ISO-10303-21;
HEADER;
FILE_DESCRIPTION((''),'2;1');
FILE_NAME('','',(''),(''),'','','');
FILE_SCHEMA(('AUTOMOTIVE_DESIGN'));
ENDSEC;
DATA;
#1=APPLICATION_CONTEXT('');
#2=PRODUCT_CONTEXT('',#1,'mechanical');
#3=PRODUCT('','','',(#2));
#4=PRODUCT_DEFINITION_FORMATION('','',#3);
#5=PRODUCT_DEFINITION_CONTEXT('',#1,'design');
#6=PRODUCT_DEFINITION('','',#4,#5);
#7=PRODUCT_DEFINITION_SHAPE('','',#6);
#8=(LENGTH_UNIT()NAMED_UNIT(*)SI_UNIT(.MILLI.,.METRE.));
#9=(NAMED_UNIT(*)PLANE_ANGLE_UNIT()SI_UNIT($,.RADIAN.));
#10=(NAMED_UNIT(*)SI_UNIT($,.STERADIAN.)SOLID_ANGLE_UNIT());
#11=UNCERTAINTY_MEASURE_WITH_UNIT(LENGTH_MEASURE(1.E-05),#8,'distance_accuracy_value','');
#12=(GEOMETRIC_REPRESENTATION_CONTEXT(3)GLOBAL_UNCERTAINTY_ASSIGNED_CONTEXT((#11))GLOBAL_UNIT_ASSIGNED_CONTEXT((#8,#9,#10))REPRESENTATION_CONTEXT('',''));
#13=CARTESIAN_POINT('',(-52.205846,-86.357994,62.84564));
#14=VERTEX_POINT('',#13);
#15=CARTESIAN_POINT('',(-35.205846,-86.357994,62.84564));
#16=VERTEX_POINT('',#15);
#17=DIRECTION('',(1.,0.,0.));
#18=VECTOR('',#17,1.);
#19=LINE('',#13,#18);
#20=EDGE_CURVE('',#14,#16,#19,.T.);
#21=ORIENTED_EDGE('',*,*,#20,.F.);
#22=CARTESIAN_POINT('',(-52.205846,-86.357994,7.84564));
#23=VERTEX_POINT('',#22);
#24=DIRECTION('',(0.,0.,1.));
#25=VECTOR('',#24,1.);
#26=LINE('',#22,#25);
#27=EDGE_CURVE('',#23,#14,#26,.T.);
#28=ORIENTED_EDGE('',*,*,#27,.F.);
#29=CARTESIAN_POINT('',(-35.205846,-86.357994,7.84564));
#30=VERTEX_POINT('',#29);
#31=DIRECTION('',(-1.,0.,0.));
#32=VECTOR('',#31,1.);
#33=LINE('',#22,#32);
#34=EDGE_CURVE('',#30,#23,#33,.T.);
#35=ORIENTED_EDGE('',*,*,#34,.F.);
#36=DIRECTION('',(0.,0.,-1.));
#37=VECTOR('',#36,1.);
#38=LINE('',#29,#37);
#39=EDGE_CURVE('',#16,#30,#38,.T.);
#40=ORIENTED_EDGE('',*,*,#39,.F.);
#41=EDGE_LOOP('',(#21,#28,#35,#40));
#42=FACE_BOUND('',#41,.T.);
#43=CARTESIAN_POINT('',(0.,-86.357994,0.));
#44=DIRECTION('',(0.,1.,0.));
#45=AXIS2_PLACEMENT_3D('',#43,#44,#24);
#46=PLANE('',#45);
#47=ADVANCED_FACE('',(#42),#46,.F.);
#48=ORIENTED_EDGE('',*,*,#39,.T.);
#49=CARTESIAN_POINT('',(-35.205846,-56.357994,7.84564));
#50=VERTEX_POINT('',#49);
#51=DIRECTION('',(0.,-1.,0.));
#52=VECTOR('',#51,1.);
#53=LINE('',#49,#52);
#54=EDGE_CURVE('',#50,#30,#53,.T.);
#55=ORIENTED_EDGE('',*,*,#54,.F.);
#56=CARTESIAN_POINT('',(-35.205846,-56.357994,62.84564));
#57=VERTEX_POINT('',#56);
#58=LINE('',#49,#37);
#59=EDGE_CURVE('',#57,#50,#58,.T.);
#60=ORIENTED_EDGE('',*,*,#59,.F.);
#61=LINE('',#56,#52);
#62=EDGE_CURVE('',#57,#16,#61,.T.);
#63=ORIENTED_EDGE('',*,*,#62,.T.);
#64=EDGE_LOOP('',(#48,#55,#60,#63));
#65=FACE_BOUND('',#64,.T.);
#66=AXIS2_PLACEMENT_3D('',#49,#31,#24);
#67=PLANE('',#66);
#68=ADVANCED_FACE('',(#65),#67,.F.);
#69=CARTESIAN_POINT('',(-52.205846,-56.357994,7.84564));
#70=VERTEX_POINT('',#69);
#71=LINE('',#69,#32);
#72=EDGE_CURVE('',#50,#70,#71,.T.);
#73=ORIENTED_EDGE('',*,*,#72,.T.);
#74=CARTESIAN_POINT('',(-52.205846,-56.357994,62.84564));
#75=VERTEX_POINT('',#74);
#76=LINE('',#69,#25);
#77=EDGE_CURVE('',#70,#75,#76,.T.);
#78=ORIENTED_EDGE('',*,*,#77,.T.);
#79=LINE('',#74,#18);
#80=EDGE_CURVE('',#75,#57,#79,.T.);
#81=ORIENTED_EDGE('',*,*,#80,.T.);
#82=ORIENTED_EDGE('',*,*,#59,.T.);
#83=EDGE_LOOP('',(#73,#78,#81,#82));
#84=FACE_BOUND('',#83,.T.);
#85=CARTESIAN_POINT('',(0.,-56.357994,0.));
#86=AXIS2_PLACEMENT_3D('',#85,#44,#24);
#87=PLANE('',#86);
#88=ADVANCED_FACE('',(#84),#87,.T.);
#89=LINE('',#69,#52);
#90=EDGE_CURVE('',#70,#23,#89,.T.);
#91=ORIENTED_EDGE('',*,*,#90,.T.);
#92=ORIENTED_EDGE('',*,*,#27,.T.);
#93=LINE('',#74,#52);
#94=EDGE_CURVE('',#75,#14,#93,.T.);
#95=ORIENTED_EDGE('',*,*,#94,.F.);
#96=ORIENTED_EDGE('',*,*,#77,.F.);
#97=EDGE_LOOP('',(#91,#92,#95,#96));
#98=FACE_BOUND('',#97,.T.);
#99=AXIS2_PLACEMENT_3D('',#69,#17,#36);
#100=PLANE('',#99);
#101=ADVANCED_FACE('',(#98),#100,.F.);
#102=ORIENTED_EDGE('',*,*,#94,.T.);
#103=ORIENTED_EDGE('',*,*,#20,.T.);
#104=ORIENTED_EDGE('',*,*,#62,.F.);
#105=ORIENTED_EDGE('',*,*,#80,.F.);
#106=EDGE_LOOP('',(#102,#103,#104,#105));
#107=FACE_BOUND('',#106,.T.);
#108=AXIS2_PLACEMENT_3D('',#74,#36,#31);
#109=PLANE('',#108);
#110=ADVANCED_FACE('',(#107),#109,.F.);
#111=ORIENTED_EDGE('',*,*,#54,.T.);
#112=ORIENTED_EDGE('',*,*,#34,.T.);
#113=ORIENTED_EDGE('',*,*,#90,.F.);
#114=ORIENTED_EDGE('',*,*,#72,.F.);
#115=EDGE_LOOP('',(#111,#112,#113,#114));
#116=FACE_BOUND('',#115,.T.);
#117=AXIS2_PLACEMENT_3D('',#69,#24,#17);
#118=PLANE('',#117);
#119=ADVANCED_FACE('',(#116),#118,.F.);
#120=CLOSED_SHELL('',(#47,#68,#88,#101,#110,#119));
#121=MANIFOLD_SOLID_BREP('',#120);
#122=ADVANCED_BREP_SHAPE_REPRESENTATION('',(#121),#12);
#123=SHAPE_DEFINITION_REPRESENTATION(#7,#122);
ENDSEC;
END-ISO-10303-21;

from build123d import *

# Parameters (mm, degrees)
ESQUISSE1_W        = 17
ESQUISSE1_H        = 55
BOSS_EXTRU_1_DEPTH = 30


with BuildPart() as part:
    # Esquisse1 → Boss.-Extru.1 (new body)
    with BuildSketch(Plane(origin=(0, -86.357994307, 0), x_dir=(1, 0, 0), z_dir=(0, 1, 0))):
        with Locations((-43.705845974, -35.345639742)):
            Rectangle(ESQUISSE1_W, ESQUISSE1_H)
    extrude(amount=BOSS_EXTRU_1_DEPTH)


solid = part.part
